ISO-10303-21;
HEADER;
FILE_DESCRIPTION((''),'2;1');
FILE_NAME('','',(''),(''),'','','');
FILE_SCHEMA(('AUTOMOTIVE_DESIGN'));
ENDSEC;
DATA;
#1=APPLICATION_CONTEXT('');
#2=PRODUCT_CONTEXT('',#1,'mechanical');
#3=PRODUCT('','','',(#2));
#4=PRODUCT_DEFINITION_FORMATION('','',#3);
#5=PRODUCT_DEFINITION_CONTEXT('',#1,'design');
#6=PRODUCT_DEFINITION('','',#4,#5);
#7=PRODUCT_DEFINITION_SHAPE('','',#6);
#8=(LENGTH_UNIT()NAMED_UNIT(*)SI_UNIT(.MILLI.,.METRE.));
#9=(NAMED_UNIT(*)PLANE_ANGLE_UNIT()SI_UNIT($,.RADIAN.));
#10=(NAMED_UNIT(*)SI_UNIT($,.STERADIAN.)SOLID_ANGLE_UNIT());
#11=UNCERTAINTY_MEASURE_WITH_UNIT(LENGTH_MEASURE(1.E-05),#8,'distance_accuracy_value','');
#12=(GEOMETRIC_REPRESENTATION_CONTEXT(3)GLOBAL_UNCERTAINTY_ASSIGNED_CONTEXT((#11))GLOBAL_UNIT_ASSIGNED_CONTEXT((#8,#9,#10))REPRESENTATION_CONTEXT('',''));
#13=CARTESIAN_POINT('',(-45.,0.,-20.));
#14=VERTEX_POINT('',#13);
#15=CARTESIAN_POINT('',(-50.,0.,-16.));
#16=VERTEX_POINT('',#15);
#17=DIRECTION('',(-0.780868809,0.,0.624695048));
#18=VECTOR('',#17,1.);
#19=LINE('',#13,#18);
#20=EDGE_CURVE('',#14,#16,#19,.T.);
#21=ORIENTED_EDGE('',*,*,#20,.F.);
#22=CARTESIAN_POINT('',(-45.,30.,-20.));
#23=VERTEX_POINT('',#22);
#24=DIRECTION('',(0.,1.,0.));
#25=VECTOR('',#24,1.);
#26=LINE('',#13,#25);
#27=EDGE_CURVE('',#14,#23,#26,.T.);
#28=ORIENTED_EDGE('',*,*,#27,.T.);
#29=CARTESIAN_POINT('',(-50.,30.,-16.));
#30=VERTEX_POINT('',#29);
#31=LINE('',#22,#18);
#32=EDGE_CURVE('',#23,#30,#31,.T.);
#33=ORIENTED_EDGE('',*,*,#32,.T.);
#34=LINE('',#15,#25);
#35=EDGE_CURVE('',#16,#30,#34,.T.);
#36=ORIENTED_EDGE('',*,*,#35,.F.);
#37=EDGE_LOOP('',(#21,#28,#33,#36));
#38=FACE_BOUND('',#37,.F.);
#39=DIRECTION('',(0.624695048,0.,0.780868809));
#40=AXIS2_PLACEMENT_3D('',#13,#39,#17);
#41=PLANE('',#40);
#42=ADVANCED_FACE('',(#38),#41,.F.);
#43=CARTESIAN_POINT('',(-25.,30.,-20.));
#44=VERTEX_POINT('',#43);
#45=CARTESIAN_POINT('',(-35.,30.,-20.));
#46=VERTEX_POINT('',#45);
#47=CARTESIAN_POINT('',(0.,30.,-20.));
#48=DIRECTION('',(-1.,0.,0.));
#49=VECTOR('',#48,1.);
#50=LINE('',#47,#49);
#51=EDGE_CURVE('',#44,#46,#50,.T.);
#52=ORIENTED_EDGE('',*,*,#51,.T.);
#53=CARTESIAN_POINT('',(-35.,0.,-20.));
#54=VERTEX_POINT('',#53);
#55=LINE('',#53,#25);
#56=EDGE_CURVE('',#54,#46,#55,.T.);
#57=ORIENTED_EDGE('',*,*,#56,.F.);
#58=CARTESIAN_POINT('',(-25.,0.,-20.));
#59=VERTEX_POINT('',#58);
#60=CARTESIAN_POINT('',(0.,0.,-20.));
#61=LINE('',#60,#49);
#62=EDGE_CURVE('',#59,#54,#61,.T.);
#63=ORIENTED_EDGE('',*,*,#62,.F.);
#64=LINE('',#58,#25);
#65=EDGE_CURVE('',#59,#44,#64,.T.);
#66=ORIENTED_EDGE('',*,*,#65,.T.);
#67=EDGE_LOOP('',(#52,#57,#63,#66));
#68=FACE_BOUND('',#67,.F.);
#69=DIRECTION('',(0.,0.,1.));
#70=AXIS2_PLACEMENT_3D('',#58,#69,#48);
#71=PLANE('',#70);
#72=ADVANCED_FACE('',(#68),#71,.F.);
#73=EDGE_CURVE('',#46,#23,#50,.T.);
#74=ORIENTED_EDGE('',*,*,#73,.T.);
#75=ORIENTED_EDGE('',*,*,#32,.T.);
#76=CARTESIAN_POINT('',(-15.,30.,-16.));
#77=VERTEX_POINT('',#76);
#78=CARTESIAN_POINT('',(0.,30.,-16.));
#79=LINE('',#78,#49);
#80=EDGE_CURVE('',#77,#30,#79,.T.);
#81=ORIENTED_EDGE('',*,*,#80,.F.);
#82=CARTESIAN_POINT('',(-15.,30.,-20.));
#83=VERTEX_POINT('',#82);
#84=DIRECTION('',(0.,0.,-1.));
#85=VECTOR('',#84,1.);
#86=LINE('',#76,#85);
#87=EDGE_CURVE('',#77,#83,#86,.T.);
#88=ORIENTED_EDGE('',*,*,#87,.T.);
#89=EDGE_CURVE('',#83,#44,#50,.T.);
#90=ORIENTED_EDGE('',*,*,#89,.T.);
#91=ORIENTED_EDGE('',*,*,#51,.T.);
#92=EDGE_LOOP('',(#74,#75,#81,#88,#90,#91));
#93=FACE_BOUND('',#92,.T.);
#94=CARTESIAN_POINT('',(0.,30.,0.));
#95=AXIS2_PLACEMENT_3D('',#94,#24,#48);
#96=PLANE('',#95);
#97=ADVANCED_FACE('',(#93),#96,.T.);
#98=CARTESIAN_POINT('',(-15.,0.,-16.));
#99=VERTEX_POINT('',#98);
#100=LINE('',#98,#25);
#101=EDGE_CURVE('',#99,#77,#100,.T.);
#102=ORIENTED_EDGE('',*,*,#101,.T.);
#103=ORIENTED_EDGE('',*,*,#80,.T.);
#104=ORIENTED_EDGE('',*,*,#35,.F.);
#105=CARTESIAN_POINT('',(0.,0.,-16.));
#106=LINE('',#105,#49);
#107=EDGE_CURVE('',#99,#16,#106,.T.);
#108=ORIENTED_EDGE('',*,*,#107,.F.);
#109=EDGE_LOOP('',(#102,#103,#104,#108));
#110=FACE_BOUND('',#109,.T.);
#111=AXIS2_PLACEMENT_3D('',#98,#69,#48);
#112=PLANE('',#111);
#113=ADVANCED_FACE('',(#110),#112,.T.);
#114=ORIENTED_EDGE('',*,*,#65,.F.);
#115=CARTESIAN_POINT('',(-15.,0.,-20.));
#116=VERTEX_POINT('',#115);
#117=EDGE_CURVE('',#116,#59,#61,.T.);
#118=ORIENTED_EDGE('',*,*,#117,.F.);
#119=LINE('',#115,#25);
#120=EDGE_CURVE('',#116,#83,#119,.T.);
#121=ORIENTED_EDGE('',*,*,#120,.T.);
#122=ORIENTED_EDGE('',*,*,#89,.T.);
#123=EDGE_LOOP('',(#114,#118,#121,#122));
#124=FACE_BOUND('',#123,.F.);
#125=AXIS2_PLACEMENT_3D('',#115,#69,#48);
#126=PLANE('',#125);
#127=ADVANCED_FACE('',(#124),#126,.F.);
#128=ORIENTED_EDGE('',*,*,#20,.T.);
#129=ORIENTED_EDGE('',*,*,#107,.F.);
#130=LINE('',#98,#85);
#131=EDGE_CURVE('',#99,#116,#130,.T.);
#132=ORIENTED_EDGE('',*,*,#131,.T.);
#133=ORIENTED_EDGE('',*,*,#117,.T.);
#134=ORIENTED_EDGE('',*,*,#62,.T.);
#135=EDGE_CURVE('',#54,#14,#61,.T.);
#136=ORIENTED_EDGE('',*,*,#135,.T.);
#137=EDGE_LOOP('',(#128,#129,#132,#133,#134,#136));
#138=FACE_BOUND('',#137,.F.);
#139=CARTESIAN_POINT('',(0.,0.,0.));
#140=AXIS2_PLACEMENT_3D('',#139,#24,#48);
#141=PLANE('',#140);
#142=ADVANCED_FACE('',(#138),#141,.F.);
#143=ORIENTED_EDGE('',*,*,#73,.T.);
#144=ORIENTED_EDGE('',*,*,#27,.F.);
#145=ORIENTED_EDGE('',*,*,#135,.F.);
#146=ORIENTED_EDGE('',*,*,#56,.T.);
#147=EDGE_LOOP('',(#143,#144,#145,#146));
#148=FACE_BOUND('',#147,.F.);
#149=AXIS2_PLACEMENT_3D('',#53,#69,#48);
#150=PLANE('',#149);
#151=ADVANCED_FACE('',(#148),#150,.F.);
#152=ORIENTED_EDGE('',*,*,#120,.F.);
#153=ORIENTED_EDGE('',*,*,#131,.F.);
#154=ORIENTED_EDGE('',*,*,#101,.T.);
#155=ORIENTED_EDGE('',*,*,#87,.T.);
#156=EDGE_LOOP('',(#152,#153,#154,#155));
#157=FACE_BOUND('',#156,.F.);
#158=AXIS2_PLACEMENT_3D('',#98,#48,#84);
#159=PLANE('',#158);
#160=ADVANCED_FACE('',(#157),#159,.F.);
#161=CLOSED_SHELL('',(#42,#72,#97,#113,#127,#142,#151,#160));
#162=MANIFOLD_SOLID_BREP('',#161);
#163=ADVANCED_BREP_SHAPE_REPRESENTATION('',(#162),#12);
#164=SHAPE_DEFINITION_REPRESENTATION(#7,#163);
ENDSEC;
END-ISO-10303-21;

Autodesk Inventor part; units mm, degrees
ref_plane "YZ Plane" through (0, 0, 0) normal (1, 0, 0) x (0, 1, 0)
ref_plane "XZ Plane" through (0, 0, 0) normal (0, 1, 0) x (-1, 0, 0)
ref_plane "XY Plane" through (0, 0, 0) normal (0, 0, 1) x (1, 0, 0)
sketch "Sketch1" plane through (0, 0, 0) normal (0, 1, 0) x (-1, 0, 0)
  line L0 (0, 0) -> (0, -16)
  line L1 (0, 0) -> (0, -30)
  line L2 (0, -16) -> (0, -20)
  line L3 (0, -16) -> (50, -16)
  line L4 (50, -16) -> (50, 0)
  line L5 (50, 0) -> (0, 0)
  line L6 (0, -20) -> (50, -20)
  line L7 (50, -20) -> (50, -16)
  line L8 (50, -20) -> (35, -20)
  line L9 (35, -20) -> (35, -22)
  line L10 (35, -22) -> (50, -22)
  line L11 (50, -22) -> (50, -20)
  line L12 (50, -22) -> (50, -27)
  line L13 (50, -27) -> (25, -27)
  line L14 (25, -27) -> (25, -20)
  line L15 (50, -20) -> (45, -20)
  line L16 (45, -20) -> (50, -16)
  line L17 (45, -20) -> (45, -22)
  line L18 (45, -22) -> (50, -27)
  line L19 (25, -27) -> (30, -27)
  line L20 (30, -27) -> (25, -20)
  line L21 (0, -16) -> (15, -16)
  line L22 (15, -16) -> (15, -20)
  dimension "d0" = 16
  dimension "d1" = 30
  dimension "d2" = 4
  dimension "d3" = 50
  dimension "d4" = 50
  dimension "d5" = 15
  dimension "d6" = 2
  dimension "d7" = 5
  dimension "d8" = 25
  dimension "d9" = 5
  dimension "d10" = 5
  dimension "d11" = 15
extrude "Extrusion1" add sketch "Sketch1" along normal blind 30 contours L3 L16 L6 L22
properties part number "servo_clip2"
